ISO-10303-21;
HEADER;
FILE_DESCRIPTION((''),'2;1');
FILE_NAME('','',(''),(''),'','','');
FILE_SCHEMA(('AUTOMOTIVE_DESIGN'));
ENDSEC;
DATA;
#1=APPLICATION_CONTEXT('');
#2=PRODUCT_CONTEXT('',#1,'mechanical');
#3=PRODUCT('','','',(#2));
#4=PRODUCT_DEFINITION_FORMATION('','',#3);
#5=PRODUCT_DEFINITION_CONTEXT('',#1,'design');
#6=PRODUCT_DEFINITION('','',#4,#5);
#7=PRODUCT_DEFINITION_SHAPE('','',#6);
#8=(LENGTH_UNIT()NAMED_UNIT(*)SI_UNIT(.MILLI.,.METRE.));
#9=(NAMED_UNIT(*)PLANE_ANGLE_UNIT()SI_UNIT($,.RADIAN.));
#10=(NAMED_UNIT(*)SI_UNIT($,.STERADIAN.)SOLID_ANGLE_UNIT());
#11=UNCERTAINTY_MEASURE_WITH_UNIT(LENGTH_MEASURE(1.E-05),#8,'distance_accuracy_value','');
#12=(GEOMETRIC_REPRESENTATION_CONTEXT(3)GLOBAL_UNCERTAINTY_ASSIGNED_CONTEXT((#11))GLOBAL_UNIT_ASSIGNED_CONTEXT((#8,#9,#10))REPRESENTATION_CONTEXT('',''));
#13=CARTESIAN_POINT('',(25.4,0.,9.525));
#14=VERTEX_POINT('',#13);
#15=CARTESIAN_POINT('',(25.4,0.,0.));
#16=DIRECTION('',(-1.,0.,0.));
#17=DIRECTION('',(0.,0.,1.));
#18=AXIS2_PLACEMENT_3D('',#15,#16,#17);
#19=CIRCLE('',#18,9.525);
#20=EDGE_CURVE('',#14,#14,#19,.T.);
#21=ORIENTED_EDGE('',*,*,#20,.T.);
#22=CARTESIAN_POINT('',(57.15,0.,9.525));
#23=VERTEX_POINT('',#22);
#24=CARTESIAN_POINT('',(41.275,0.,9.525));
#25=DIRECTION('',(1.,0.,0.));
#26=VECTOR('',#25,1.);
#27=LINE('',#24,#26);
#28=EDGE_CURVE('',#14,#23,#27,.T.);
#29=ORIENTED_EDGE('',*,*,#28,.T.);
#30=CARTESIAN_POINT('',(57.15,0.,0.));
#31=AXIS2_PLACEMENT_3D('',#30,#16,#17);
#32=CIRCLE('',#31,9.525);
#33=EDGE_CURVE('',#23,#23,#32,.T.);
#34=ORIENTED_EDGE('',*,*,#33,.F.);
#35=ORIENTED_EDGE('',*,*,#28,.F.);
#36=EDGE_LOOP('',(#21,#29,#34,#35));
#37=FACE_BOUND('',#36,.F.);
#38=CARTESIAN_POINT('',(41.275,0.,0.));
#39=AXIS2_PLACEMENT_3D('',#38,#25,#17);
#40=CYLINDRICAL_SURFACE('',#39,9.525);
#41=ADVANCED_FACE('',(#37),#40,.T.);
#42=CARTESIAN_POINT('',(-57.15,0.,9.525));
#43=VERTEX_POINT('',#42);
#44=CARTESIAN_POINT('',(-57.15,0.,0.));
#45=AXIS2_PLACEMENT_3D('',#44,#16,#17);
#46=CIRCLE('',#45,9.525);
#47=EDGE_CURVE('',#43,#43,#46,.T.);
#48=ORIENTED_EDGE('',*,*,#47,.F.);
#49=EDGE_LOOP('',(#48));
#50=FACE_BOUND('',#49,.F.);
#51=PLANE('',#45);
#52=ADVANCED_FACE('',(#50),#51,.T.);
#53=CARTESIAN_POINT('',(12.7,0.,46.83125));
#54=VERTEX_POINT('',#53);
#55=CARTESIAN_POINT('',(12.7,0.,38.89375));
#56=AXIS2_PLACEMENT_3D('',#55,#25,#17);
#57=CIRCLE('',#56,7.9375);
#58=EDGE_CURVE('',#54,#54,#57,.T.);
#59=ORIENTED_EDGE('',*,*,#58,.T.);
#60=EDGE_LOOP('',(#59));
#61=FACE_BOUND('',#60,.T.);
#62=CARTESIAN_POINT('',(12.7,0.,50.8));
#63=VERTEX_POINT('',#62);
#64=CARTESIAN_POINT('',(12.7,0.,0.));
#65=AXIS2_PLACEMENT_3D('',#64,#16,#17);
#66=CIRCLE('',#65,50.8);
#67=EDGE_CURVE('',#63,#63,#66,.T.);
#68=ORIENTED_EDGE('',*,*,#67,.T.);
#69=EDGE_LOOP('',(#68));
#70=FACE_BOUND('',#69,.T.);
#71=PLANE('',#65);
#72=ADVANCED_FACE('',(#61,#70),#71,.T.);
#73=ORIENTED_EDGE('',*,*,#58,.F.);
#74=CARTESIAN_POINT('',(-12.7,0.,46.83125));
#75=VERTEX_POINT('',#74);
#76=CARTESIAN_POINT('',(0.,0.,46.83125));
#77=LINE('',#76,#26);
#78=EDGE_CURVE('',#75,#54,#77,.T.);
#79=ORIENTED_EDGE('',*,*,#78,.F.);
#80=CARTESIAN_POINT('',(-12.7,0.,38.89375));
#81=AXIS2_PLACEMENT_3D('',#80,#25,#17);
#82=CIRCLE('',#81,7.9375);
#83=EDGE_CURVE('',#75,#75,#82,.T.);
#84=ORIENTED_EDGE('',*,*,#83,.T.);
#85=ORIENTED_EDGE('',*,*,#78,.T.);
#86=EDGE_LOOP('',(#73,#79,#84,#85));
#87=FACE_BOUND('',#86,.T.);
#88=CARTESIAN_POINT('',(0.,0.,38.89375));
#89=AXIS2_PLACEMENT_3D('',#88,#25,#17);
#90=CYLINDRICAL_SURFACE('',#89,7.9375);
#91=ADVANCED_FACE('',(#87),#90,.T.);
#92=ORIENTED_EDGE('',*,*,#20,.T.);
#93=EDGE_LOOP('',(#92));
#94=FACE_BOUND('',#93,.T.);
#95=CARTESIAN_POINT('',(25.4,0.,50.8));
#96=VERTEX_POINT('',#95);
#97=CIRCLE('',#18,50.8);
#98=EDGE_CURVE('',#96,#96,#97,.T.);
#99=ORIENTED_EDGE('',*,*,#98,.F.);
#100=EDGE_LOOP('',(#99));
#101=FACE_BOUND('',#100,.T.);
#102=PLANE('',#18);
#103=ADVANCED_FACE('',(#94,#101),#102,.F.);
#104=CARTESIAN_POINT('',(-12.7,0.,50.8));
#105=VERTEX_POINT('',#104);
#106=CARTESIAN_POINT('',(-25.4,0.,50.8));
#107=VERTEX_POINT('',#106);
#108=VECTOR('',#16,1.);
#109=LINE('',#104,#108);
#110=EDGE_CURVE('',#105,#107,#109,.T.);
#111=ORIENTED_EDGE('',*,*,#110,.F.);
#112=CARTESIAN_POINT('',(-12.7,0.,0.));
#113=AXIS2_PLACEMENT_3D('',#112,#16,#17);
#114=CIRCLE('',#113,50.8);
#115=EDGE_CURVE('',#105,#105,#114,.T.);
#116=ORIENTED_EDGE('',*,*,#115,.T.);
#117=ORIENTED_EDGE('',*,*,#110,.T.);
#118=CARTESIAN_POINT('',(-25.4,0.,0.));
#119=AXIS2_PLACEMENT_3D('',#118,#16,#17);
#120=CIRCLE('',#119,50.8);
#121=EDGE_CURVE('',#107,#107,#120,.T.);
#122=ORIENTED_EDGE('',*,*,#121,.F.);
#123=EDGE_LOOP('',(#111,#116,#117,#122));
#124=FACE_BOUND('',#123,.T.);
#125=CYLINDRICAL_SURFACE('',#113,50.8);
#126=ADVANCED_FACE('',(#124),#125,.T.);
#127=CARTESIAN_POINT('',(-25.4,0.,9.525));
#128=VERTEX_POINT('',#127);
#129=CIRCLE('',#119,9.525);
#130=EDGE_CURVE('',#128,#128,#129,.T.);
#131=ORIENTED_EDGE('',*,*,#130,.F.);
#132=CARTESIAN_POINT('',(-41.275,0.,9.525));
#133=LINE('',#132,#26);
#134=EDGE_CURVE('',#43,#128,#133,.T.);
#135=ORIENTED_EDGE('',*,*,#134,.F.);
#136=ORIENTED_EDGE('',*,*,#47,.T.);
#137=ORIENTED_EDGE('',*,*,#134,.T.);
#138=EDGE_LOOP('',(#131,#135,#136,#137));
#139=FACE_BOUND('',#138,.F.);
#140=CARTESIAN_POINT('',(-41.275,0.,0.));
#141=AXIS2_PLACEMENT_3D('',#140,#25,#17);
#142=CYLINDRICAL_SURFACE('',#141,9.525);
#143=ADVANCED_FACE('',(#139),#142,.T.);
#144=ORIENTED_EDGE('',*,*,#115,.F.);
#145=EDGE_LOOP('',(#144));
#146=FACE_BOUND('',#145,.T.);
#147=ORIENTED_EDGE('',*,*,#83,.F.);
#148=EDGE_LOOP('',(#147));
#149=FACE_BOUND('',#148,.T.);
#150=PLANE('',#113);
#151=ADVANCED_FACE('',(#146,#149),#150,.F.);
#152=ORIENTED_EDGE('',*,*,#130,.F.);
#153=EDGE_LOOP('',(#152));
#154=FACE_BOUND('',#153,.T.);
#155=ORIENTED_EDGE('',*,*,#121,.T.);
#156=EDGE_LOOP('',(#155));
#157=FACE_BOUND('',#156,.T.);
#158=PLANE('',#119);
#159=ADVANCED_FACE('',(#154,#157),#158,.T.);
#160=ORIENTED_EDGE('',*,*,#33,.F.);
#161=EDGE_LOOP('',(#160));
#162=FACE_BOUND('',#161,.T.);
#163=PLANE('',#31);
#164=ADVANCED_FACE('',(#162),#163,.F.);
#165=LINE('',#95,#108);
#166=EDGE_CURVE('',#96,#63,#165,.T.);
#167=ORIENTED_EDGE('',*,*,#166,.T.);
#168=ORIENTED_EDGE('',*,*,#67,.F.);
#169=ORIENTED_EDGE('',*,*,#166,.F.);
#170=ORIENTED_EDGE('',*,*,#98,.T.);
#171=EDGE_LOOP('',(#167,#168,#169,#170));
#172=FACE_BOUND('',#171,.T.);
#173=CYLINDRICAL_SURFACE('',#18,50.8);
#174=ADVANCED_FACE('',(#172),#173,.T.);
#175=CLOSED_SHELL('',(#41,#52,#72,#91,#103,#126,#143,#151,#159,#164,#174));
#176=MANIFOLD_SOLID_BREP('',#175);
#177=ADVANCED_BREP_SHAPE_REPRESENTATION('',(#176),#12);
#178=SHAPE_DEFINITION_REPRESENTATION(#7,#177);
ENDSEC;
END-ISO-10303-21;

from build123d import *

# Parameters (mm, degrees)
F0_W = 31.75
F0_H = 9.525
F2_W = 25.4
F2_H = 7.9375


with BuildPart() as f1:
    # F0 (on Front) → F1 (revolve)
    with BuildSketch(Plane.XZ):
        with Locations((-41.275, 4.7625)):
            Rectangle(F0_W, F0_H)
        Polygon((-25.4, 9.525), (-25.4, 0), (-12.7, 0), (-12.7, 38.89375), (-12.7, 46.83125), (-12.7, 50.8), (-25.4, 50.8), align=None)
    revolve(axis=Axis((-41.275, 0, 0), (-1, 0, 0)))



with BuildPart() as f1b:
    # F0 (on Front) → F1, piece 2 (revolve)
    with BuildSketch(Plane.XZ):
        Polygon((12.7, 46.83125), (12.7, 38.89375), (12.7, 0), (25.4, 0), (25.4, 9.525), (25.4, 50.8), (12.7, 50.8), align=None)
        with Locations((41.275, 4.7625)):
            Rectangle(F0_W, F0_H)
    revolve(axis=Axis((-41.275, 0, 0), (-1, 0, 0)))


with BuildPart() as f1_1:
    add(f1.part)

    add(f1b.part)  # F3 merges F1b
    # F2 (on Front) → F3 (revolve)
    with BuildSketch(Plane.XZ):
        with Locations((0, 42.8625)):
            Rectangle(F2_W, F2_H)
    revolve(axis=Axis((0, 0, 38.89375), (1, 0, 0)))


solid = f1_1.part
